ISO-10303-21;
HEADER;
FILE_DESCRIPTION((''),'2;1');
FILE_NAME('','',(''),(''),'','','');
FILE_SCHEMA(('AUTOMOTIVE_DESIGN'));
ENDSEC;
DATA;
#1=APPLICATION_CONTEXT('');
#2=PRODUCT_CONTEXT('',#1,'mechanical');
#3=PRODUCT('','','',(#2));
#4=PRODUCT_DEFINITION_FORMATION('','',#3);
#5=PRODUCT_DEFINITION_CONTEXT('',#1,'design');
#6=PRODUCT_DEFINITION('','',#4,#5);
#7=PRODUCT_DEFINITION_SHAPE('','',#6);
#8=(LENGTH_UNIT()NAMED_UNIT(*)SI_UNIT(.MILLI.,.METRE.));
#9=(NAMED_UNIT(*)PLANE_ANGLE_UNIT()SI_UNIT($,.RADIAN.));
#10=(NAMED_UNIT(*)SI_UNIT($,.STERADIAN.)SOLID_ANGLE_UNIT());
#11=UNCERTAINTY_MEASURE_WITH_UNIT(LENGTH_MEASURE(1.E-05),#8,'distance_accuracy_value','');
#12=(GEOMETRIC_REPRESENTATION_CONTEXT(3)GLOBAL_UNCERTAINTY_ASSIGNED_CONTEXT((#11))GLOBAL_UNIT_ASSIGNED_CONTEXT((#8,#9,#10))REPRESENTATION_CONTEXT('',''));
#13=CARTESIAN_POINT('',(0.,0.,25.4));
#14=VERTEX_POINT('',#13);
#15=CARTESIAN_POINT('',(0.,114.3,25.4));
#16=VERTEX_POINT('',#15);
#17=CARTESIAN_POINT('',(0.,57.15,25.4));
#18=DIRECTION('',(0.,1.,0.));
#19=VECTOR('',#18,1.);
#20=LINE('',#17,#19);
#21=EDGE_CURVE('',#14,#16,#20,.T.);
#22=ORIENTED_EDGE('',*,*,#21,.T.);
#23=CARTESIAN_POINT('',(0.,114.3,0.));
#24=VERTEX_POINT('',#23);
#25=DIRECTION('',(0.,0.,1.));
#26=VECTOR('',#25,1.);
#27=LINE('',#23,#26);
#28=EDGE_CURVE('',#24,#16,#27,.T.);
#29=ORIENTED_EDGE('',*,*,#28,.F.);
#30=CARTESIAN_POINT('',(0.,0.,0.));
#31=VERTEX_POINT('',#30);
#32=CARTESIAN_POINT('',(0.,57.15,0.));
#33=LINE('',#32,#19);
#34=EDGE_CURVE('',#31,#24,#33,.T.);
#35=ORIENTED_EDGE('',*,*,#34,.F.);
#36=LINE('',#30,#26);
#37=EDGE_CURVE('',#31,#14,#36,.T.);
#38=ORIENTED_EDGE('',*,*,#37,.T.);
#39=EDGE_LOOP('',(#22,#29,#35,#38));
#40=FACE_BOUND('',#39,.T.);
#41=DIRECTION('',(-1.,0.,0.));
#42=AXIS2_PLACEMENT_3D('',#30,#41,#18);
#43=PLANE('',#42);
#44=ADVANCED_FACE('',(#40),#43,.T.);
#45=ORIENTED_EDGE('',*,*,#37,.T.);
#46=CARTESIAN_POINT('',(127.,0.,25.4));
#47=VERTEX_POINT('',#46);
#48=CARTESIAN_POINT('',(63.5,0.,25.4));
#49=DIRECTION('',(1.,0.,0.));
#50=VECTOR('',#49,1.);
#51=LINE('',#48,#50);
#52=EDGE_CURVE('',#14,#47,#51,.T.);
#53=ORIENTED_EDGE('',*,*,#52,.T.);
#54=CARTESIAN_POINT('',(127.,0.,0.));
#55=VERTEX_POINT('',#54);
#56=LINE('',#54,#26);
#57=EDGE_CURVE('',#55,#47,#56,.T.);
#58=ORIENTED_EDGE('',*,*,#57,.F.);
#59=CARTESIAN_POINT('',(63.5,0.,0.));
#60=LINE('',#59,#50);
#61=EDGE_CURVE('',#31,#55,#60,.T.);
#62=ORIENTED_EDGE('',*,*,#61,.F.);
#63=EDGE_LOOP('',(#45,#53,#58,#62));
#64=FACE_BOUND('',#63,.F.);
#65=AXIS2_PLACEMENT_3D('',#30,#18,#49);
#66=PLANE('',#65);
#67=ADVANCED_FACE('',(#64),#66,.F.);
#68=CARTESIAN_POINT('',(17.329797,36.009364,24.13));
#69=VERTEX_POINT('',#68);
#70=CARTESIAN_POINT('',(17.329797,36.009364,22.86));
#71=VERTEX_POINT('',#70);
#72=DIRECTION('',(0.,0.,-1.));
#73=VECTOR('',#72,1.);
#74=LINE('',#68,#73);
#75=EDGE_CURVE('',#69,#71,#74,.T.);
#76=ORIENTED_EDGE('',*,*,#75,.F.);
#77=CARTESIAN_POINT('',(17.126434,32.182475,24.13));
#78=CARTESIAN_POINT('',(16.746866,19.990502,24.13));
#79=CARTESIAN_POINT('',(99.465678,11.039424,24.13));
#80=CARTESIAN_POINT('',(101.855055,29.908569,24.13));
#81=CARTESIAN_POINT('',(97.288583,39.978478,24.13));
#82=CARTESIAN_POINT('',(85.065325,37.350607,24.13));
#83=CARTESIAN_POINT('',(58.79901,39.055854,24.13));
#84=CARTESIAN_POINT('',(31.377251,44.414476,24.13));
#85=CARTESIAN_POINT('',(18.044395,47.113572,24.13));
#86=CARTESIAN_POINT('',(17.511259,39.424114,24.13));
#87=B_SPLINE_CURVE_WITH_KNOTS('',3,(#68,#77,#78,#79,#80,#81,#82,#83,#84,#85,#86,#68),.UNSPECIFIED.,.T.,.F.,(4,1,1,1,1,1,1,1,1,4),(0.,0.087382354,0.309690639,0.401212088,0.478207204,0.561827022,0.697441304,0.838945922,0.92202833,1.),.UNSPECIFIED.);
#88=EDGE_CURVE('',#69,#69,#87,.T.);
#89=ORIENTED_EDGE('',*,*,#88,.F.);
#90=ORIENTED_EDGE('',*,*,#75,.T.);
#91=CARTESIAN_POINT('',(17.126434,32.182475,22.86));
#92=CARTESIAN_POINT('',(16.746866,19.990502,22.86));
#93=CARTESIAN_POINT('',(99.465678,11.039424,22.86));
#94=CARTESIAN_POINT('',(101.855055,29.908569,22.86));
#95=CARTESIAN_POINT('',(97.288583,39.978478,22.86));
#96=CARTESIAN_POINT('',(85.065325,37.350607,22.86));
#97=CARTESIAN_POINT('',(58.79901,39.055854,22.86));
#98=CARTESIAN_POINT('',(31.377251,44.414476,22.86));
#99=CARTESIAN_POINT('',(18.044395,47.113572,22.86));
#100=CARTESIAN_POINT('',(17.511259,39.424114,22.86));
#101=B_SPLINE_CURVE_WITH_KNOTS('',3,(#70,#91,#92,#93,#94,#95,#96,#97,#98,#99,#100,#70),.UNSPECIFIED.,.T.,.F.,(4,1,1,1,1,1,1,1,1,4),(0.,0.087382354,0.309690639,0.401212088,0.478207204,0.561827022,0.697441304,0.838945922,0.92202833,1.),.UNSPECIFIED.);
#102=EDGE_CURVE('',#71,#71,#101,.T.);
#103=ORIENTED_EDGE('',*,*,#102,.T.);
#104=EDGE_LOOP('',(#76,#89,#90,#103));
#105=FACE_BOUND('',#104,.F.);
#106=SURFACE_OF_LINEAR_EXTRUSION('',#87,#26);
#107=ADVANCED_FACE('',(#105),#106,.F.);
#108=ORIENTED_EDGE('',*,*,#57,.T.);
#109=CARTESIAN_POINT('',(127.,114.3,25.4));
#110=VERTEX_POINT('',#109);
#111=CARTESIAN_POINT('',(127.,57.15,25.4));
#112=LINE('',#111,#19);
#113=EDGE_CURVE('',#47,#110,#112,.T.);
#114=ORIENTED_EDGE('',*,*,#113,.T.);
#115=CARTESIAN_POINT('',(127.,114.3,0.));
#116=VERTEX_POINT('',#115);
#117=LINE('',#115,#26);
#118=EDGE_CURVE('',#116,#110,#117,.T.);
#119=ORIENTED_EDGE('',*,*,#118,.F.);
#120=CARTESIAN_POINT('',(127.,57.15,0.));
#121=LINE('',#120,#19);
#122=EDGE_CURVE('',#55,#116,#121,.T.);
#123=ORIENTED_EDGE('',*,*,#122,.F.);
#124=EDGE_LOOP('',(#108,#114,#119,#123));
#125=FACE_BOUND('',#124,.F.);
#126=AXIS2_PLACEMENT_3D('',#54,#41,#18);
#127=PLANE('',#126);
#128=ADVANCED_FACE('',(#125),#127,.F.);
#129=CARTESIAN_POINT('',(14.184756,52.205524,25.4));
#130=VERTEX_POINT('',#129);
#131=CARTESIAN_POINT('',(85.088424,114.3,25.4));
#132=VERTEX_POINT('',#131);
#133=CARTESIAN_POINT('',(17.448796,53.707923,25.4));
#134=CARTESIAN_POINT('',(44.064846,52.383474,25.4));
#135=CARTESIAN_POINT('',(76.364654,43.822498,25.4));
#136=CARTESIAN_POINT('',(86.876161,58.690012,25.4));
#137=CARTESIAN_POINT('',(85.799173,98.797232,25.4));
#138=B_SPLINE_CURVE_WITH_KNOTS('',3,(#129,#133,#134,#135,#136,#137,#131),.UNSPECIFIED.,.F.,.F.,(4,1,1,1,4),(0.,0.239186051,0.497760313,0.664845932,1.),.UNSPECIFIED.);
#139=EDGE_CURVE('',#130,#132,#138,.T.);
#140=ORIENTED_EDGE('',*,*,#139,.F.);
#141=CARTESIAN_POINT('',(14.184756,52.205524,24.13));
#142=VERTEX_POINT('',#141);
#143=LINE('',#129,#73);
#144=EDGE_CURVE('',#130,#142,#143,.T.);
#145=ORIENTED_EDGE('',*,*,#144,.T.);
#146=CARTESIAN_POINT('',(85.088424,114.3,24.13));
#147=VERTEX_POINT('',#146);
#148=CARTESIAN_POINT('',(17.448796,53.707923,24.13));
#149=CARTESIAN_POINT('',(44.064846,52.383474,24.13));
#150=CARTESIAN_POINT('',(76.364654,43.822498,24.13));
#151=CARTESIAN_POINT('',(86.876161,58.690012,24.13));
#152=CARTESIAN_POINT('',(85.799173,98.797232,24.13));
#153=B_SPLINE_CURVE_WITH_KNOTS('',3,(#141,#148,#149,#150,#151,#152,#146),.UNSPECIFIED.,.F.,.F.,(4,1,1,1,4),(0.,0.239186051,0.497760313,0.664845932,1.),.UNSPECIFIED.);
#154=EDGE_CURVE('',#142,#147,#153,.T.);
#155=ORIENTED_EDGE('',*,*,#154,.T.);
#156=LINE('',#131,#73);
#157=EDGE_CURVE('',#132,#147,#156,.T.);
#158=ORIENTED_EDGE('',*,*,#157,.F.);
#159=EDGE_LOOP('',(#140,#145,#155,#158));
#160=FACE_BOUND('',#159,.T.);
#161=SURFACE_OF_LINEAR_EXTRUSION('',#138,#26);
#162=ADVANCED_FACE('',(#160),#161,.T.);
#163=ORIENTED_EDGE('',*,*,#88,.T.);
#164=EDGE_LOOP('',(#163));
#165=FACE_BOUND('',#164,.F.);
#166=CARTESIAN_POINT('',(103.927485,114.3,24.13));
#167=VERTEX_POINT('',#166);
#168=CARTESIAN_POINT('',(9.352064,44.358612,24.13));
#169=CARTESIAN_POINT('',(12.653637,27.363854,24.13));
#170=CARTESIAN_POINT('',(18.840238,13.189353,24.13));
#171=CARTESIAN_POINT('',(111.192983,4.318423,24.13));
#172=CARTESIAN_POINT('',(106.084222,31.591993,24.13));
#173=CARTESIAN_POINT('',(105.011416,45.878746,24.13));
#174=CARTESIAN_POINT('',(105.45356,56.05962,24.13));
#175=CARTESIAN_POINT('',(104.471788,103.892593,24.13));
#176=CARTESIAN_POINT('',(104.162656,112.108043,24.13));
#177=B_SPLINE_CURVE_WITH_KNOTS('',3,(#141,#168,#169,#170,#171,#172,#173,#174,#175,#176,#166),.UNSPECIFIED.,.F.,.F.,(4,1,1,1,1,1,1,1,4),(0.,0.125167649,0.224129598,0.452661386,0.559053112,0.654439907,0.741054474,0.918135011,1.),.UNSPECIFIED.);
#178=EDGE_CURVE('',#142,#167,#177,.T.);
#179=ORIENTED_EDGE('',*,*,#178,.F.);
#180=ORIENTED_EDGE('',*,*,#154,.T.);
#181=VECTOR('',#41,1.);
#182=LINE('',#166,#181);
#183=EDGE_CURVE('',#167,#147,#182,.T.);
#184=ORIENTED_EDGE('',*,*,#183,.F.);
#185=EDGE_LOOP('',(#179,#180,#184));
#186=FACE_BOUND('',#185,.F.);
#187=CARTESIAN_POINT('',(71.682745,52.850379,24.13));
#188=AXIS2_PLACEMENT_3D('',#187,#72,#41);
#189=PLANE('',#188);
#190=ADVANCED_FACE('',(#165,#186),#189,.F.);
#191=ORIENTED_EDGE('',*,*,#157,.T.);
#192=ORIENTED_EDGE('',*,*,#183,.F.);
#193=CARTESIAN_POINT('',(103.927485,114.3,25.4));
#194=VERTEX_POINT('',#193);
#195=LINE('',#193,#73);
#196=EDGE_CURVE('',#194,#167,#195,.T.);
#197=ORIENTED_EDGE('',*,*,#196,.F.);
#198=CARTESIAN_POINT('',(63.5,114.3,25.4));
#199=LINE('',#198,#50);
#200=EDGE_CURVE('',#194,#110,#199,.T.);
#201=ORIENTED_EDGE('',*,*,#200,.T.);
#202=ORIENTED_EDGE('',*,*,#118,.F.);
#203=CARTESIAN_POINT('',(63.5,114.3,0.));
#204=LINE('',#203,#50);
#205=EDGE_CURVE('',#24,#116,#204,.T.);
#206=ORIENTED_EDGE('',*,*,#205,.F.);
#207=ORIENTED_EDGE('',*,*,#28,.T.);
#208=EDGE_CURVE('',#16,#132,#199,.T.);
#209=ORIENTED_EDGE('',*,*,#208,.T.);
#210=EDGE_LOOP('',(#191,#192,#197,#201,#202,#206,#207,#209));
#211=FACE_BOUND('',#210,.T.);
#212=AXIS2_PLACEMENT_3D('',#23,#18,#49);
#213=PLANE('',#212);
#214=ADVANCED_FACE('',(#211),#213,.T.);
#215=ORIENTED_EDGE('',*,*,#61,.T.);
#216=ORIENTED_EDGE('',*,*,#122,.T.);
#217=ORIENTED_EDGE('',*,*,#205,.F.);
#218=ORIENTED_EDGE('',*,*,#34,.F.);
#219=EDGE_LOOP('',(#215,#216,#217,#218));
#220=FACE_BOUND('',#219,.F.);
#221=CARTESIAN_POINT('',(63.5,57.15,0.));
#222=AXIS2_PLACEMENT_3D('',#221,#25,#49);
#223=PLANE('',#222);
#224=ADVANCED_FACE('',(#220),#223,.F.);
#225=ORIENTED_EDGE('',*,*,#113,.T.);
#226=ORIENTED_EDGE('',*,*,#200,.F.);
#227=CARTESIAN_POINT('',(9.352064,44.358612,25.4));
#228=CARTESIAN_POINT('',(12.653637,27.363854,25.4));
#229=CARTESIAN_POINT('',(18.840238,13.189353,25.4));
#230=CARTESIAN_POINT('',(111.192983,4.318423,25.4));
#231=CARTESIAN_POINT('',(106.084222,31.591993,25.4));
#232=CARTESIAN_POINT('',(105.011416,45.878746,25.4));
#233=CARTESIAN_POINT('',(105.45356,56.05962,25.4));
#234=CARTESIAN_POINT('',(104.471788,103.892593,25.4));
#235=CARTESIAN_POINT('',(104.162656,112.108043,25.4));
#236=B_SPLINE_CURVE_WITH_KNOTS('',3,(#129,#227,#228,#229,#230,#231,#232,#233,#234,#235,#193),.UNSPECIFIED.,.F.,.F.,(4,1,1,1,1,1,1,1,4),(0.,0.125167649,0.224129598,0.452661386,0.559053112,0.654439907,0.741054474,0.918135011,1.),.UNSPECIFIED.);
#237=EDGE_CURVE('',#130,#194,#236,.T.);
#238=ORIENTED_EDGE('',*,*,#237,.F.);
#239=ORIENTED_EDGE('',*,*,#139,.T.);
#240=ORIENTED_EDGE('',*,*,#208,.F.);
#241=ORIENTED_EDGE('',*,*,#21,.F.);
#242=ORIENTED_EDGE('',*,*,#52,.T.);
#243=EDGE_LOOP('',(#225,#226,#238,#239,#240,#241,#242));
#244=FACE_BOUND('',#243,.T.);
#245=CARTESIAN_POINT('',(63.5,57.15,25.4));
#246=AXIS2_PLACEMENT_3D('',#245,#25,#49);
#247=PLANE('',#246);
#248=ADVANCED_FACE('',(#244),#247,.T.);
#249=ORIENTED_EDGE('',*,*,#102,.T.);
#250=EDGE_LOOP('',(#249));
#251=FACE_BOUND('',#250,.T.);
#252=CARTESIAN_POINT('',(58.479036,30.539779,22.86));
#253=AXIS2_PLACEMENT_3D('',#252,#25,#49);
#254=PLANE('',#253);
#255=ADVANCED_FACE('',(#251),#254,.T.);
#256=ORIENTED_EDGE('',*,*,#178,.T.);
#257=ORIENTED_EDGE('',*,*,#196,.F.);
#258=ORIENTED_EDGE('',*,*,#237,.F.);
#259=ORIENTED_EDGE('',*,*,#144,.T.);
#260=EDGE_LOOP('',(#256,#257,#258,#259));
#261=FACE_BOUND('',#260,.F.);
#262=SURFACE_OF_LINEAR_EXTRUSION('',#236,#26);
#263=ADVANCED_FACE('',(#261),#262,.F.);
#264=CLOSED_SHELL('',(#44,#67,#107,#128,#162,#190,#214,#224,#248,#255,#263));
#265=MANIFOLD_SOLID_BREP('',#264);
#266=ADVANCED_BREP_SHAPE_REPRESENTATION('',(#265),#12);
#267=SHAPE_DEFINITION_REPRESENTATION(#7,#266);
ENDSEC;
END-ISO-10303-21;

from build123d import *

# Parameters (mm, degrees)
F0_W     = 127
F0_H     = 114.3
F1_DEPTH = 25.4
F3_DEPTH = 1.27
F5_DEPTH = 1.27


with BuildPart() as f1:
    # F0 (on Top) → F1 (new body)
    with BuildSketch(Plane.XY):
        with Locations((63.5, 57.15)):
            Rectangle(F0_W, F0_H)
    extrude(amount=F1_DEPTH)

    # F2 (on face) → F3 (cut)
    with BuildSketch(Plane.XY.offset(25.4)):
        with BuildLine():
            add(Edge.make_bspline(
                [(14.1847563811, 52.2055240917), (17.4487959109, 53.7079227085), (44.0648456389, 52.3834737993), (76.3646543067, 43.8224977855), (86.876160603, 58.6900123256), (85.7991725206, 98.7972319126), (85.0884243846, 114.3)],
                knots=[0, 0, 0, 0, 0.2391860512, 0.4977603129, 0.6648459321, 1, 1, 1, 1], degree=3))
            add(Edge.make_bspline(
                [(14.1847563811, 52.2055240917), (9.3520639285, 44.3586118248), (12.6536367905, 27.3638536613), (18.8402383609, 13.1893525319), (111.1929834742, 4.3184234807), (106.0842219021, 31.5919931867), (105.011416035, 45.8787461527), (105.453560332, 56.0596204571), (104.4717881583, 103.8925926493), (104.1626564269, 112.1080434235), (103.9274847168, 114.3)],
                knots=[0, 0, 0, 0, 0.125167649, 0.2241295981, 0.4526613861, 0.5590531122, 0.654439907, 0.7410544741, 0.9181350115, 1, 1, 1, 1], degree=3))
            Line((103.9274847168, 114.3), (85.0884243846, 114.3))
        make_face()
    extrude(amount=-F3_DEPTH, mode=Mode.SUBTRACT)

    # F4 (on face) → F5 (cut)
    with BuildSketch(Plane.XY.offset(24.13)):
        with BuildLine():
            add(Edge.make_bspline(
                [(17.3297971487, 36.0093638301), (17.1264335807, 32.1824747761), (16.7468664577, 19.990502465), (99.4656784545, 11.0394241251), (101.8550549051, 29.9085688187), (97.288582885, 39.9784776436), (85.0653254375, 37.3506070875), (58.7990104766, 39.0558539778), (31.3772513508, 44.4144756293), (18.0443954585, 47.1135718459), (17.5112593814, 39.4241142635), (17.3297971487, 36.0093638301)],
                knots=[0, 0, 0, 0, 0.0873823539, 0.3096906394, 0.4012120879, 0.4782072039, 0.5618270224, 0.6974413037, 0.838945922, 0.9220283299, 1, 1, 1, 1], degree=3))
        make_face()
    extrude(amount=-F5_DEPTH, mode=Mode.SUBTRACT)


solid = f1.part
